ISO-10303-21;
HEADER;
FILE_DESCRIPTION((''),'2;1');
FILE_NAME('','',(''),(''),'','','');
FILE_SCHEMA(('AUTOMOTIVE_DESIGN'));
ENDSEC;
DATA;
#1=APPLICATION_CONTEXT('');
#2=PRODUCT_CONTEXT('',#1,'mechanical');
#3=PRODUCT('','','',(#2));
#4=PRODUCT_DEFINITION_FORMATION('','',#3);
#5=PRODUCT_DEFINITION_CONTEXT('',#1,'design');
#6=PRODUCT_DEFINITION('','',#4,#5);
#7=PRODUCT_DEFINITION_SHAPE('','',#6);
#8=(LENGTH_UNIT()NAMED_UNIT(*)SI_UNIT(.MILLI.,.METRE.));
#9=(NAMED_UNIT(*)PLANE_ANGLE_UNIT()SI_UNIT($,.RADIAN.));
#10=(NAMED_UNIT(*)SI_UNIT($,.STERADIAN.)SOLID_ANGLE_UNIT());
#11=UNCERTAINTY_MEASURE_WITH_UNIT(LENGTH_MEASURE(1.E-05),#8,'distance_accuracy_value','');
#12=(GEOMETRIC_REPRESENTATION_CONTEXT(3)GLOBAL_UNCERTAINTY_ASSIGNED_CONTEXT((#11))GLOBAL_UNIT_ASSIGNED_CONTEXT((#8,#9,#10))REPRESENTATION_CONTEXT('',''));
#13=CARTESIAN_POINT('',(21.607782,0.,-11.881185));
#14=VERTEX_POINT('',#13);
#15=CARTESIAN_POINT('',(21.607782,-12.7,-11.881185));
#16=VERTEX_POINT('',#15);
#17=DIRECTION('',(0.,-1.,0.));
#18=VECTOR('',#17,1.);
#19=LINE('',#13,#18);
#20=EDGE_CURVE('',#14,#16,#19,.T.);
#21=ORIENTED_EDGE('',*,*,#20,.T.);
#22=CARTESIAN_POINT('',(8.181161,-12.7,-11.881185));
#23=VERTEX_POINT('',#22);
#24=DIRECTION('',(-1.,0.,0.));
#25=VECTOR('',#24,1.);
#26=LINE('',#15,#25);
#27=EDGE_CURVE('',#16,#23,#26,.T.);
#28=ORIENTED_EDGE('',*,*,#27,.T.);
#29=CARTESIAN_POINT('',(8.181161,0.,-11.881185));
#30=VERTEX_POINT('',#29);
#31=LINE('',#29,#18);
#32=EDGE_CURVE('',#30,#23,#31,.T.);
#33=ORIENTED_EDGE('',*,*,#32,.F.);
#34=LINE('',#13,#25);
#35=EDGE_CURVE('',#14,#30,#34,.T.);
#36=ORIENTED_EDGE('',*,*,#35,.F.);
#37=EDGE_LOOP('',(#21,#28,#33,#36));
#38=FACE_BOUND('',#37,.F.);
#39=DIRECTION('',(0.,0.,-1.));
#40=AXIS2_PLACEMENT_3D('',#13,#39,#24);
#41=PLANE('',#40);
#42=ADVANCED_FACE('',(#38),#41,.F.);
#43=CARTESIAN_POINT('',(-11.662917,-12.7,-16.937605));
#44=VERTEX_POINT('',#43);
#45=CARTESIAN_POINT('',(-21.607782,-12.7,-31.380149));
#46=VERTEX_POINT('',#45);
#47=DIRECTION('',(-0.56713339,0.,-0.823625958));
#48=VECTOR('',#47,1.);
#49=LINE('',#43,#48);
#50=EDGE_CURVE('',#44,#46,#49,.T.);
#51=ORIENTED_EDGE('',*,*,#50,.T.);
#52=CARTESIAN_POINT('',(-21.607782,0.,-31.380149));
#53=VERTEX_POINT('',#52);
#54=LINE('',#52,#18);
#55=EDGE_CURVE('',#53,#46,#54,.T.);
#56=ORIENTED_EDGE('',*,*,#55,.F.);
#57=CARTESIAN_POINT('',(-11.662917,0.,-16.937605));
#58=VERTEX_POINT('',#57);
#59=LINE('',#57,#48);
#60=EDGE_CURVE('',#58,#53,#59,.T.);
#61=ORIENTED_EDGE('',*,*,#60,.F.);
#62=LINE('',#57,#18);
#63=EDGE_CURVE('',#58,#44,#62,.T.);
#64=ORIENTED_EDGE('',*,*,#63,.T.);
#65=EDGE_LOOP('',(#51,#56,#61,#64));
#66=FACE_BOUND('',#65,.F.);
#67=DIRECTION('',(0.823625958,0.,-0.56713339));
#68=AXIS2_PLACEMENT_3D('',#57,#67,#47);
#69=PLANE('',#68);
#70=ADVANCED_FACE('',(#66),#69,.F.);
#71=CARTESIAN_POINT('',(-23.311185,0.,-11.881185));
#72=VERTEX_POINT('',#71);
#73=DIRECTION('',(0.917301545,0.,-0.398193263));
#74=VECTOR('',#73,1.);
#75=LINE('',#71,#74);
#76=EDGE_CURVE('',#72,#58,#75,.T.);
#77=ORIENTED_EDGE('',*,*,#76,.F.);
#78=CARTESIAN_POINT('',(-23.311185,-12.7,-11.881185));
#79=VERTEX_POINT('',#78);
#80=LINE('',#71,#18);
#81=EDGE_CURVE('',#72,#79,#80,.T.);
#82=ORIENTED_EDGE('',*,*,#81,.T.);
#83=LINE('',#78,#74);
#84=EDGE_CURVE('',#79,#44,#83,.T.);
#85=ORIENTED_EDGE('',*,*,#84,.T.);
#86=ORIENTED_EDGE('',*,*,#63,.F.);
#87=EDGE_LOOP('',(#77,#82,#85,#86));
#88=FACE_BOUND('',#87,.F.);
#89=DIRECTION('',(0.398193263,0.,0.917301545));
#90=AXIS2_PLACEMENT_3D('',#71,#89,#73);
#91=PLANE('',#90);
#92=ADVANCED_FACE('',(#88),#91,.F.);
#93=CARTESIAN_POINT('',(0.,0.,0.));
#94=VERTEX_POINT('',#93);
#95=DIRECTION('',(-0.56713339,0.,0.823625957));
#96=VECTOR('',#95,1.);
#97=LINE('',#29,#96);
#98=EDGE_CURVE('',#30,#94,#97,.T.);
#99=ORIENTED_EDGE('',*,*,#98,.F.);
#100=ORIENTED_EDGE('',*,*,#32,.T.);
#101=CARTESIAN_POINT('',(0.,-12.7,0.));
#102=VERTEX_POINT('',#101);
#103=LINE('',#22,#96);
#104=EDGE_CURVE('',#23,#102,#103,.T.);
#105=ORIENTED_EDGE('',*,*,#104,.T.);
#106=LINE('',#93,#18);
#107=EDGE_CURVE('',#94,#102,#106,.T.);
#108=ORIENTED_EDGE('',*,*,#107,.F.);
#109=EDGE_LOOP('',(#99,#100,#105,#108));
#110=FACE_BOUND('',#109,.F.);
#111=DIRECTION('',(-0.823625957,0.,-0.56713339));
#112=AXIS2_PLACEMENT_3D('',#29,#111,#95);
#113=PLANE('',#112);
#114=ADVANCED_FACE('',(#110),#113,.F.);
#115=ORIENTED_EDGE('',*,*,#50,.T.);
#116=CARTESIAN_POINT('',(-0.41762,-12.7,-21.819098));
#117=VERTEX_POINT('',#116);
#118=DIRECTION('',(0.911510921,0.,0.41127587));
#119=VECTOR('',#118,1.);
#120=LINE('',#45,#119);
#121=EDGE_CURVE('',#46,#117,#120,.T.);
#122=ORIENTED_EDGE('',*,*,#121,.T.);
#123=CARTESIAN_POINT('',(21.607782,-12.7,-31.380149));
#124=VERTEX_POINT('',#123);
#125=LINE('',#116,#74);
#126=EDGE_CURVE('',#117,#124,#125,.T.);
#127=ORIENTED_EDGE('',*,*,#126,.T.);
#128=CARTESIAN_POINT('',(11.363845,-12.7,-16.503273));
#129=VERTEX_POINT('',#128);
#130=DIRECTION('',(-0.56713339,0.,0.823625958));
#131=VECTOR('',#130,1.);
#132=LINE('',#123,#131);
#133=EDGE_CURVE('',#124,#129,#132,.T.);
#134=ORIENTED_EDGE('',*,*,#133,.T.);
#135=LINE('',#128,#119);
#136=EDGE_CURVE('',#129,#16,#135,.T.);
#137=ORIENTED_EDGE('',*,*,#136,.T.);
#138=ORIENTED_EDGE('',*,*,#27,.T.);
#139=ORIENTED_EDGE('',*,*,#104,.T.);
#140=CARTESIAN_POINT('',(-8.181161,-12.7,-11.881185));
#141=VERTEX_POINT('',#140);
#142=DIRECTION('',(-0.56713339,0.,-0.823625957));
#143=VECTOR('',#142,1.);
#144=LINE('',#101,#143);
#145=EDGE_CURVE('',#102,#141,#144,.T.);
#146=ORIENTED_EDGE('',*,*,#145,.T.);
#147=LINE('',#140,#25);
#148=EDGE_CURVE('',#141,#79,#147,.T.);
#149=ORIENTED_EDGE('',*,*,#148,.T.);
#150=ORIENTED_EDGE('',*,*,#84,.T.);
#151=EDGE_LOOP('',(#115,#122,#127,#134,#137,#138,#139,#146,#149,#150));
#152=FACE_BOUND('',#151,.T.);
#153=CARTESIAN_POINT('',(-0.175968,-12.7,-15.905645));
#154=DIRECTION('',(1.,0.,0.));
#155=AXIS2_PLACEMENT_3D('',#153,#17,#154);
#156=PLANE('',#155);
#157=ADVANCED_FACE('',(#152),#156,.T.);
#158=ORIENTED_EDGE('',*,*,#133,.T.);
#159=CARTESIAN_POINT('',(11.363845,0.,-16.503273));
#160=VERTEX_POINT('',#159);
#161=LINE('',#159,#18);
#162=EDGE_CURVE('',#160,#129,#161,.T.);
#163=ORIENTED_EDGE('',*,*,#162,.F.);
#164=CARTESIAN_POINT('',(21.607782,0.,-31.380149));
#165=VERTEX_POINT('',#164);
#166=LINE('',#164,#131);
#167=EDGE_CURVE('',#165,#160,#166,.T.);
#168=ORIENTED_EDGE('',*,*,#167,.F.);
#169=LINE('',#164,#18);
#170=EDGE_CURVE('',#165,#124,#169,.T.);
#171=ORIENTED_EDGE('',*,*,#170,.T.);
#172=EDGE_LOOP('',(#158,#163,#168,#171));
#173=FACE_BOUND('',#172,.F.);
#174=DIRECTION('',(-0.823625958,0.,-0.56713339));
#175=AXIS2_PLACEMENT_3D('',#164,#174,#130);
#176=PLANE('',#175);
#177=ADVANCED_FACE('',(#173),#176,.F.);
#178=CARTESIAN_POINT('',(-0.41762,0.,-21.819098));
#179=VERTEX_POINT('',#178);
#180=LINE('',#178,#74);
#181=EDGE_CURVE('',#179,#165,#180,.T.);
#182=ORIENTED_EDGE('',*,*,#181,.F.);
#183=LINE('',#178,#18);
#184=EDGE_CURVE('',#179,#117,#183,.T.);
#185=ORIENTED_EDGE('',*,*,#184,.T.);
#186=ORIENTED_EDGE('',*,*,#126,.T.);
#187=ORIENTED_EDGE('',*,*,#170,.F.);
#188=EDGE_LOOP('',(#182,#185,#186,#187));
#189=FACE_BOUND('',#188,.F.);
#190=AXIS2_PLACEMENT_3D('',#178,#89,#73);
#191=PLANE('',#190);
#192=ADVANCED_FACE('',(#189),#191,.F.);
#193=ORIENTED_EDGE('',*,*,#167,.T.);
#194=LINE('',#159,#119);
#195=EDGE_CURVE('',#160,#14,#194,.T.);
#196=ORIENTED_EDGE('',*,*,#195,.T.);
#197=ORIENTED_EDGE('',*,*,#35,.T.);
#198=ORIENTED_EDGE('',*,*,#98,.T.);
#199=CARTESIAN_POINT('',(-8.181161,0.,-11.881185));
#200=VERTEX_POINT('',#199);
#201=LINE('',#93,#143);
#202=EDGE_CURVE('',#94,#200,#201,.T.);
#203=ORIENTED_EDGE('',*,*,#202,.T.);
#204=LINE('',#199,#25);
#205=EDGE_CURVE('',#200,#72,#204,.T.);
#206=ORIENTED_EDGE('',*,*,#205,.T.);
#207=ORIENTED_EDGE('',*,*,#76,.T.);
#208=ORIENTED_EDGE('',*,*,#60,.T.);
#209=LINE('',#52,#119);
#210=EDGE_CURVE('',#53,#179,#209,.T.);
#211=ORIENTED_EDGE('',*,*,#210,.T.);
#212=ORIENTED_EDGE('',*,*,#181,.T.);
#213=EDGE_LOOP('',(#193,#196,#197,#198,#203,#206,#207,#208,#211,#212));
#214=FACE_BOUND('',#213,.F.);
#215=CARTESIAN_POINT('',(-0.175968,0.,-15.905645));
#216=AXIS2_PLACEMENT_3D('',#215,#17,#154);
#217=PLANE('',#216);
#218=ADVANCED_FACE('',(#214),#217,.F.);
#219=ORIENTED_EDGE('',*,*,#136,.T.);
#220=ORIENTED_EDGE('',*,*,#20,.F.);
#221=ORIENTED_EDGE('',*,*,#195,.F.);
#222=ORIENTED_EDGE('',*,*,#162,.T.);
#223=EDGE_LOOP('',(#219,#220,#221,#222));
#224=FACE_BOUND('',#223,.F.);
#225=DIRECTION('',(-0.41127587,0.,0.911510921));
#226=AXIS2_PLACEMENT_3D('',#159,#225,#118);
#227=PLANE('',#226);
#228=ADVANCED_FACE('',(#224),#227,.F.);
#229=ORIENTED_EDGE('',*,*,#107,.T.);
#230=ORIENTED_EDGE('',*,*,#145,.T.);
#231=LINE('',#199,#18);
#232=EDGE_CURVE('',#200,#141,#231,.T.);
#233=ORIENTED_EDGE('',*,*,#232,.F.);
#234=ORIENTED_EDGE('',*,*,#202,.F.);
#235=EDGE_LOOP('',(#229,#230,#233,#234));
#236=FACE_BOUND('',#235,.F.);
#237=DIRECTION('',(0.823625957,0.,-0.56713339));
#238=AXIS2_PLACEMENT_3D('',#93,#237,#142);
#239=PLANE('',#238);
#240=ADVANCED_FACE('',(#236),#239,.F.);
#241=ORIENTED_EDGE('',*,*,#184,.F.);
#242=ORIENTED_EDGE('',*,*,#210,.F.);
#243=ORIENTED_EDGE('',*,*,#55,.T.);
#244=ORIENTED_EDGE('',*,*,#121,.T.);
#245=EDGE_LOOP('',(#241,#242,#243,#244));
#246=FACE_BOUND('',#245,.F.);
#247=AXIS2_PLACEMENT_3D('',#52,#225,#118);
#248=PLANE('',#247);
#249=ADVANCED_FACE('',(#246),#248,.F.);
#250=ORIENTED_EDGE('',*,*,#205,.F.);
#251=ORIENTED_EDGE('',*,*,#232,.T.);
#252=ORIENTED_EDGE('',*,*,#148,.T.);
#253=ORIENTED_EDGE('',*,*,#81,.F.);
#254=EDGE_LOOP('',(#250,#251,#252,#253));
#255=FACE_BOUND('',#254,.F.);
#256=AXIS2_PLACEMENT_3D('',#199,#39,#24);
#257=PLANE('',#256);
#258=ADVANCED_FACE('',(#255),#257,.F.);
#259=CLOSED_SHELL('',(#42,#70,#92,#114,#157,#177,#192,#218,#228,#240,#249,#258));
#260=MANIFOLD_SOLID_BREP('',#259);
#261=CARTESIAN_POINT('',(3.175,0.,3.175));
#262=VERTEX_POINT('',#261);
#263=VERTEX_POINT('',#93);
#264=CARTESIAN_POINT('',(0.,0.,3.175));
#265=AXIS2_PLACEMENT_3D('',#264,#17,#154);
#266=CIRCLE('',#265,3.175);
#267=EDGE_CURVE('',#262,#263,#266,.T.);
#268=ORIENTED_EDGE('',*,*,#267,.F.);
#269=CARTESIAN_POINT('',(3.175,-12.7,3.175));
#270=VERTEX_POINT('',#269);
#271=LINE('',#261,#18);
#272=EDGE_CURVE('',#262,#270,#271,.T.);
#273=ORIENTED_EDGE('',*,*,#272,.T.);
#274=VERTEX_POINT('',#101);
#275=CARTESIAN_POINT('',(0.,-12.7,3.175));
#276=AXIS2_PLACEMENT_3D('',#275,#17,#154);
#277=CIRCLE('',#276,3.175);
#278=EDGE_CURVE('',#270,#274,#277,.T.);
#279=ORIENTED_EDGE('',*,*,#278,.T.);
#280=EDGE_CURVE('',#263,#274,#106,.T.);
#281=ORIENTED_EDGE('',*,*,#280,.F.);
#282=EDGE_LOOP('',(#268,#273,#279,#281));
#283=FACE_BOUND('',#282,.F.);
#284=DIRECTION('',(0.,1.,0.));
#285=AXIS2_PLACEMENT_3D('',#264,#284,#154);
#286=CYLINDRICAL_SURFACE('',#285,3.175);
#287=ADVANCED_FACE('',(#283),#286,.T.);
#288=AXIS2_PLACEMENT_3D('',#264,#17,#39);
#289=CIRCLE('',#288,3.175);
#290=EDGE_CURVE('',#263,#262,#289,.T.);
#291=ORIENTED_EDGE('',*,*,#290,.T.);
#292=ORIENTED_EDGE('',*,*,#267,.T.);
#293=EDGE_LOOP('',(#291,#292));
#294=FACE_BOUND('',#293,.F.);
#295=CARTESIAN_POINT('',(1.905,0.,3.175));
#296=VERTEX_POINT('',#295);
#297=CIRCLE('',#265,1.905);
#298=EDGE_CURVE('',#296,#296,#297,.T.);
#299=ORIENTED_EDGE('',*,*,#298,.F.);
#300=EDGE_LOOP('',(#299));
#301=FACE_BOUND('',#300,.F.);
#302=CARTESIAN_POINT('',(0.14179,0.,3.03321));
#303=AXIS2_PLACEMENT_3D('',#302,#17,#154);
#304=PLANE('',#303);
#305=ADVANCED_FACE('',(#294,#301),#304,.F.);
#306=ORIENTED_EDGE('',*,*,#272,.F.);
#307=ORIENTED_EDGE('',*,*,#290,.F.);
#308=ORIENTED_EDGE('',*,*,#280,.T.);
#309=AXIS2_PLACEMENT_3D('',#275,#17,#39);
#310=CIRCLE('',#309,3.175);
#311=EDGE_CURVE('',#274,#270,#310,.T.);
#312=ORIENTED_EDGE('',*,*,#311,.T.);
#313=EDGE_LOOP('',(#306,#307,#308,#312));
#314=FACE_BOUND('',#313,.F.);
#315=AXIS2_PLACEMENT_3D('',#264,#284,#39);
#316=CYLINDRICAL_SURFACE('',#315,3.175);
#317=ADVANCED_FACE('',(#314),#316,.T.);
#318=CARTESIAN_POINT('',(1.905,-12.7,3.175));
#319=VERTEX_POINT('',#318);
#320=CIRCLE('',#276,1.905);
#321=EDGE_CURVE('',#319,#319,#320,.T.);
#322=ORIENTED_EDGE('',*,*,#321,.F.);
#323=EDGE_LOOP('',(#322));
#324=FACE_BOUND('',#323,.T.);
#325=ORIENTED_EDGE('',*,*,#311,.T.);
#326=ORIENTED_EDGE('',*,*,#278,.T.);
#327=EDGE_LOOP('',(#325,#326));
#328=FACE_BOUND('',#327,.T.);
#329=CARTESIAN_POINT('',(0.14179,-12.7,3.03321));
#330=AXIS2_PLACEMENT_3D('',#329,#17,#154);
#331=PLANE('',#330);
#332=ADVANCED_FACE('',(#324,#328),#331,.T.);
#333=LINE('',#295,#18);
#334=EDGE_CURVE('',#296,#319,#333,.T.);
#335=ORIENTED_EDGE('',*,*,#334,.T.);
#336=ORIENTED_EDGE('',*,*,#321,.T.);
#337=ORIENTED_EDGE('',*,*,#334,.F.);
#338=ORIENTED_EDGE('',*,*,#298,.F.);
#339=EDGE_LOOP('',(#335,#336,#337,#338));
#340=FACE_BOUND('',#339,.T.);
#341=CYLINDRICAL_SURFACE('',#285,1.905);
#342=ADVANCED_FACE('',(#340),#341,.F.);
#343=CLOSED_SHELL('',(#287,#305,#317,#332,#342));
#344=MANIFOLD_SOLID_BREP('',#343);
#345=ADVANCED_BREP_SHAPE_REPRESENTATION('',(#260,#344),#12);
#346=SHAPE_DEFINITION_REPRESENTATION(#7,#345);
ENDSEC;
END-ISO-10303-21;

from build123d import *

# Parameters (mm, degrees)
F1_DEPTH = 12.7
F0_R     = 1.905


with BuildPart() as f1:
    # F0 (on Front) → F1 (new body)
    with BuildSketch(Plane.XZ):
        Polygon((8.181161038, -11.8811847642), (-8.181161038, -11.8811847642), (-11.6629169429, -16.9376046315), (-0.4176200962, -21.8190980417), (11.3638446399, -16.5032734561), align=None)
        Polygon((8.181161038, -11.8811847642), (0, 0), (-8.181161038, -11.8811847642), align=None)
        Polygon((21.6077821616, -11.8811847642), (8.181161038, -11.8811847642), (11.3638446399, -16.5032734561), align=None)
        Polygon((21.6077821616, -31.3801489808), (11.3638446399, -16.5032734561), (-0.4176200962, -21.8190980417), align=None)
        Polygon((-0.4176200962, -21.8190980417), (-11.6629169429, -16.9376046315), (-21.6077821616, -31.3801489808), align=None)
        Polygon((-11.6629169429, -16.9376046315), (-8.181161038, -11.8811847642), (-23.3111847192, -11.8811847642), align=None)
    extrude(amount=F1_DEPTH)


with BuildPart() as f1b:
    # F0 (on Front) → F1, piece 2 (new body)
    with BuildSketch(Plane.XZ):
        with BuildLine():
            ThreePointArc((3.175, 3.175), (-2.2450640303, 5.4200640303), (0, 0))
            ThreePointArc((0, 0), (2.2450640303, 0.9299359697), (3.175, 3.175))
        make_face()
        with Locations((0, 3.175)):
            Circle(F0_R, mode=Mode.SUBTRACT)
    extrude(amount=F1_DEPTH)


solid = Compound([f1.part, f1b.part])
